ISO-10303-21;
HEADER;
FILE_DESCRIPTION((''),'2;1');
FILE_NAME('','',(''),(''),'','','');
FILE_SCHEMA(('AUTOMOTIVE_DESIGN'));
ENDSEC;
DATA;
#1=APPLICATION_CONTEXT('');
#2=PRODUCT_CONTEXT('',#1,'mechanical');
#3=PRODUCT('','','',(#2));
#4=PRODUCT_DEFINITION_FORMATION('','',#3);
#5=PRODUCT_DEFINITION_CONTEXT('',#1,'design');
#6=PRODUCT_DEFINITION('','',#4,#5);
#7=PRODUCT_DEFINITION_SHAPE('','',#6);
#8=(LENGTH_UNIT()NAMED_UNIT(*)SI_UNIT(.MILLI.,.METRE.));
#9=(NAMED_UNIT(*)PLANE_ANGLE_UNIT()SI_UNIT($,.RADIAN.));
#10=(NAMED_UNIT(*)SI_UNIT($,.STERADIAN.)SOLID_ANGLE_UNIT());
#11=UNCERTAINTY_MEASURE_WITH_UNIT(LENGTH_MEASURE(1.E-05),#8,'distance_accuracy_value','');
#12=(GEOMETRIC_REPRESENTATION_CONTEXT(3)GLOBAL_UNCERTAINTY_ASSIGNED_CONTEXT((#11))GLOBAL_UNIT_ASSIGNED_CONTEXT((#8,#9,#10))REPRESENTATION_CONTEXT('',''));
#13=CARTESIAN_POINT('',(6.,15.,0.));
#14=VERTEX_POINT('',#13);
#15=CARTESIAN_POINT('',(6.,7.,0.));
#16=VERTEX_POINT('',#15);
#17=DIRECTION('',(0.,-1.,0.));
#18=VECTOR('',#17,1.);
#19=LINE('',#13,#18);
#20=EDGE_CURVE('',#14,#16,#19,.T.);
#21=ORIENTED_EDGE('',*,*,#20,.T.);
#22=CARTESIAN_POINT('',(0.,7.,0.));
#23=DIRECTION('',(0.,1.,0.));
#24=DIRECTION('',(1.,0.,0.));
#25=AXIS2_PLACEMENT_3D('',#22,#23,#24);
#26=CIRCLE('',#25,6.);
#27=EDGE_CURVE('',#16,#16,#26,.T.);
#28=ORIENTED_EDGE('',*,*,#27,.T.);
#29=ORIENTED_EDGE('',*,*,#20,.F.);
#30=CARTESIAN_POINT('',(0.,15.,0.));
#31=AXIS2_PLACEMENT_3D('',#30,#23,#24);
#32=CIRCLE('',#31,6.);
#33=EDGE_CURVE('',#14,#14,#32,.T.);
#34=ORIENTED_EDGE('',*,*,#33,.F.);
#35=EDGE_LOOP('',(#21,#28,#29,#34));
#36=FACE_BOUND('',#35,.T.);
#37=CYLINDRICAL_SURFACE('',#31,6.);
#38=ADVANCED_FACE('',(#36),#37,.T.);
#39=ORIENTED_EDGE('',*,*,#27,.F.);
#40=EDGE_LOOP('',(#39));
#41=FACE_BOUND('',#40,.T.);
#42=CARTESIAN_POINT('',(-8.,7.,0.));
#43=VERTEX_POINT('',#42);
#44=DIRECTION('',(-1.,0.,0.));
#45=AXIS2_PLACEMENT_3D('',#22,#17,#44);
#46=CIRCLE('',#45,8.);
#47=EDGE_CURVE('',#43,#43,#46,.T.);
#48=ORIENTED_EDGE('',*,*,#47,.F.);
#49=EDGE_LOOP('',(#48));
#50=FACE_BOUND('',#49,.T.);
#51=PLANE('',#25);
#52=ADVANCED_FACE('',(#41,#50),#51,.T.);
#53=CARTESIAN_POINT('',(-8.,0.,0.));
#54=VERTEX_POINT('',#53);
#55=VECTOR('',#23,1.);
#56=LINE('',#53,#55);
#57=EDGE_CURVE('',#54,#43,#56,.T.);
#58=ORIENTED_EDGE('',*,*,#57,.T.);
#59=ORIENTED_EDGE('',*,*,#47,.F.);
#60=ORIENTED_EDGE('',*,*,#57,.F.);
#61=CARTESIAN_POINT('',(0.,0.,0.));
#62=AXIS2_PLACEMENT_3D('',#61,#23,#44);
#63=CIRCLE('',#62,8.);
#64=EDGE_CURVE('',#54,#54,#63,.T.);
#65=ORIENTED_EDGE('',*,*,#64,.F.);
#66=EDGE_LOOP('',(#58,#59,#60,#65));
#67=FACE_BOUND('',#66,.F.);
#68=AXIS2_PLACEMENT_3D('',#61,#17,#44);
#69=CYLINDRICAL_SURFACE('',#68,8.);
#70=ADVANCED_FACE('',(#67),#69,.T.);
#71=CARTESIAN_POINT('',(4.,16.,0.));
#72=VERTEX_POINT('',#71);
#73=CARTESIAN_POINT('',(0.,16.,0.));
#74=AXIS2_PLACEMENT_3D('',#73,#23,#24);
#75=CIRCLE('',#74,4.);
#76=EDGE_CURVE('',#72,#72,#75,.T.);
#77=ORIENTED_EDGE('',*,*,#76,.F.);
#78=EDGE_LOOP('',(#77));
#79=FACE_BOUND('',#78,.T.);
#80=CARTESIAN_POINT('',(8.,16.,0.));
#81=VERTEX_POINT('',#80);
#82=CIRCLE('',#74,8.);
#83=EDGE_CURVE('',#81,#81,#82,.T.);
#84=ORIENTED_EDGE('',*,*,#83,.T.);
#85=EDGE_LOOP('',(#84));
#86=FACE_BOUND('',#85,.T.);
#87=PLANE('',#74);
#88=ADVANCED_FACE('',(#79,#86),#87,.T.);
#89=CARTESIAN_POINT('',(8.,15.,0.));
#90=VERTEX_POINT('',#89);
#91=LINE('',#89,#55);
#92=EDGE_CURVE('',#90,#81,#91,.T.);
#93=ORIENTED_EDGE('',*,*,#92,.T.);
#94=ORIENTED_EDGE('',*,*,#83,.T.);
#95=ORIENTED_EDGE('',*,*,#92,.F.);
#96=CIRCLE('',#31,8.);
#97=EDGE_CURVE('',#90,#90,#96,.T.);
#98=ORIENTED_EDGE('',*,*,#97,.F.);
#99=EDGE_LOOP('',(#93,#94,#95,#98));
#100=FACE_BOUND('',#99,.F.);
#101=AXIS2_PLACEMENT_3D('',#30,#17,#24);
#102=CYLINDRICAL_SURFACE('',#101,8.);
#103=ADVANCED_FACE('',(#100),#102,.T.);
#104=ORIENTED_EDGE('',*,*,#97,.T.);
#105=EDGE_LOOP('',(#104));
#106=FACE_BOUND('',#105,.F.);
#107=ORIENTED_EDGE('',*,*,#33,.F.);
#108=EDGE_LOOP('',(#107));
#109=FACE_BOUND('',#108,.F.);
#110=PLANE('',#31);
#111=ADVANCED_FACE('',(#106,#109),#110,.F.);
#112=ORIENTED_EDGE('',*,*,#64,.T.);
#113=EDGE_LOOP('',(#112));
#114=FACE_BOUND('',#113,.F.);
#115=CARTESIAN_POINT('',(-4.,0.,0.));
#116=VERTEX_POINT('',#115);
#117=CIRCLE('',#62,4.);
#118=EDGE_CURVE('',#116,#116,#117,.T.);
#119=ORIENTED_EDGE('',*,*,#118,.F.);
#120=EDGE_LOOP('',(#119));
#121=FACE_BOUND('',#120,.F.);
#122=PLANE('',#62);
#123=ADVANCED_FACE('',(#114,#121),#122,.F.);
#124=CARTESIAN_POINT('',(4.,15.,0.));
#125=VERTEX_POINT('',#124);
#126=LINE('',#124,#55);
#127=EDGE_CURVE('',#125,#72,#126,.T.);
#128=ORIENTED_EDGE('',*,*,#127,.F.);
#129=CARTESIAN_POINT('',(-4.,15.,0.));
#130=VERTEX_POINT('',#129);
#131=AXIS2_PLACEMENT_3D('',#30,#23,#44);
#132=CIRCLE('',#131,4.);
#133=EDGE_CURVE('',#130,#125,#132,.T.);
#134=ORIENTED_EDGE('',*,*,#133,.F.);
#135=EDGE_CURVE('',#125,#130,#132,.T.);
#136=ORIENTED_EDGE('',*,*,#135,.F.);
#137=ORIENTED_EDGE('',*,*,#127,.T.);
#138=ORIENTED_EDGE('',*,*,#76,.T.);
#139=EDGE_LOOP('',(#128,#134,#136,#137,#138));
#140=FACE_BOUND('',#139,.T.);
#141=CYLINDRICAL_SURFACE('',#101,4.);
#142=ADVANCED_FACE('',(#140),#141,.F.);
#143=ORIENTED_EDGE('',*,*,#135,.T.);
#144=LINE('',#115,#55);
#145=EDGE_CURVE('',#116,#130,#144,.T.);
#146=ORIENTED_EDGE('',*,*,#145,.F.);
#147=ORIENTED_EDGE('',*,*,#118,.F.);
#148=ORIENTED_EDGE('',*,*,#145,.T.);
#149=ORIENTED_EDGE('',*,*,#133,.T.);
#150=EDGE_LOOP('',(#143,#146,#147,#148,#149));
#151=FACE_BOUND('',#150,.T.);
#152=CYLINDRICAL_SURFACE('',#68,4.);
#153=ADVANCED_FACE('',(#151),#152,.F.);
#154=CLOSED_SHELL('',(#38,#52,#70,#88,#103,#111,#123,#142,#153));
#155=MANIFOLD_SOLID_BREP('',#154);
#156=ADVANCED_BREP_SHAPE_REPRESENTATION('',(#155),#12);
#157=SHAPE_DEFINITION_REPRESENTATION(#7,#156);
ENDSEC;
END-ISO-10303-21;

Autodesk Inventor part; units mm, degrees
ref_plane "YZ Plane" through (0, 0, 0) normal (1, 0, 0) x (0, 1, 0)
ref_plane "XZ Plane" through (0, 0, 0) normal (0, 1, 0) x (-1, 0, 0)
ref_plane "XY Plane" through (0, 0, 0) normal (0, 0, 1) x (1, 0, 0)
sketch "Sketch1" plane through (0, 0, 0) normal (0, 1, 0) x (-1, 0, 0)
  circle A0 centre (0, 0) radius 8
  circle A1 centre (0, 0) radius 4
  dimension "d0" = 16
  dimension "d1" = 8
extrude "Extrusion1" add sketch "Sketch1" along normal blind 15
sketch "Sketch2" plane through (0, 15, 0) normal (0, 1, 0) x (1, 0, 0)
  circle A0 centre (0, 0) radius 8 projected
  circle A1 centre (0, 0) radius 6
  dimension "d4" = 12
extrude "Extrusion2" cut sketch "Sketch2" against normal blind 8
sketch "Sketch3" plane through (0, 15, 0) normal (0, 1, 0) x (1, 0, 0)
  circle A0 centre (0, 0) radius 4 projected
  circle A1 centre (0, 0) radius 8
  dimension "d7" = 16
extrude "Extrusion3" add sketch "Sketch3" along normal blind 1
properties part number "Timping Pully" material "Aluminum"
